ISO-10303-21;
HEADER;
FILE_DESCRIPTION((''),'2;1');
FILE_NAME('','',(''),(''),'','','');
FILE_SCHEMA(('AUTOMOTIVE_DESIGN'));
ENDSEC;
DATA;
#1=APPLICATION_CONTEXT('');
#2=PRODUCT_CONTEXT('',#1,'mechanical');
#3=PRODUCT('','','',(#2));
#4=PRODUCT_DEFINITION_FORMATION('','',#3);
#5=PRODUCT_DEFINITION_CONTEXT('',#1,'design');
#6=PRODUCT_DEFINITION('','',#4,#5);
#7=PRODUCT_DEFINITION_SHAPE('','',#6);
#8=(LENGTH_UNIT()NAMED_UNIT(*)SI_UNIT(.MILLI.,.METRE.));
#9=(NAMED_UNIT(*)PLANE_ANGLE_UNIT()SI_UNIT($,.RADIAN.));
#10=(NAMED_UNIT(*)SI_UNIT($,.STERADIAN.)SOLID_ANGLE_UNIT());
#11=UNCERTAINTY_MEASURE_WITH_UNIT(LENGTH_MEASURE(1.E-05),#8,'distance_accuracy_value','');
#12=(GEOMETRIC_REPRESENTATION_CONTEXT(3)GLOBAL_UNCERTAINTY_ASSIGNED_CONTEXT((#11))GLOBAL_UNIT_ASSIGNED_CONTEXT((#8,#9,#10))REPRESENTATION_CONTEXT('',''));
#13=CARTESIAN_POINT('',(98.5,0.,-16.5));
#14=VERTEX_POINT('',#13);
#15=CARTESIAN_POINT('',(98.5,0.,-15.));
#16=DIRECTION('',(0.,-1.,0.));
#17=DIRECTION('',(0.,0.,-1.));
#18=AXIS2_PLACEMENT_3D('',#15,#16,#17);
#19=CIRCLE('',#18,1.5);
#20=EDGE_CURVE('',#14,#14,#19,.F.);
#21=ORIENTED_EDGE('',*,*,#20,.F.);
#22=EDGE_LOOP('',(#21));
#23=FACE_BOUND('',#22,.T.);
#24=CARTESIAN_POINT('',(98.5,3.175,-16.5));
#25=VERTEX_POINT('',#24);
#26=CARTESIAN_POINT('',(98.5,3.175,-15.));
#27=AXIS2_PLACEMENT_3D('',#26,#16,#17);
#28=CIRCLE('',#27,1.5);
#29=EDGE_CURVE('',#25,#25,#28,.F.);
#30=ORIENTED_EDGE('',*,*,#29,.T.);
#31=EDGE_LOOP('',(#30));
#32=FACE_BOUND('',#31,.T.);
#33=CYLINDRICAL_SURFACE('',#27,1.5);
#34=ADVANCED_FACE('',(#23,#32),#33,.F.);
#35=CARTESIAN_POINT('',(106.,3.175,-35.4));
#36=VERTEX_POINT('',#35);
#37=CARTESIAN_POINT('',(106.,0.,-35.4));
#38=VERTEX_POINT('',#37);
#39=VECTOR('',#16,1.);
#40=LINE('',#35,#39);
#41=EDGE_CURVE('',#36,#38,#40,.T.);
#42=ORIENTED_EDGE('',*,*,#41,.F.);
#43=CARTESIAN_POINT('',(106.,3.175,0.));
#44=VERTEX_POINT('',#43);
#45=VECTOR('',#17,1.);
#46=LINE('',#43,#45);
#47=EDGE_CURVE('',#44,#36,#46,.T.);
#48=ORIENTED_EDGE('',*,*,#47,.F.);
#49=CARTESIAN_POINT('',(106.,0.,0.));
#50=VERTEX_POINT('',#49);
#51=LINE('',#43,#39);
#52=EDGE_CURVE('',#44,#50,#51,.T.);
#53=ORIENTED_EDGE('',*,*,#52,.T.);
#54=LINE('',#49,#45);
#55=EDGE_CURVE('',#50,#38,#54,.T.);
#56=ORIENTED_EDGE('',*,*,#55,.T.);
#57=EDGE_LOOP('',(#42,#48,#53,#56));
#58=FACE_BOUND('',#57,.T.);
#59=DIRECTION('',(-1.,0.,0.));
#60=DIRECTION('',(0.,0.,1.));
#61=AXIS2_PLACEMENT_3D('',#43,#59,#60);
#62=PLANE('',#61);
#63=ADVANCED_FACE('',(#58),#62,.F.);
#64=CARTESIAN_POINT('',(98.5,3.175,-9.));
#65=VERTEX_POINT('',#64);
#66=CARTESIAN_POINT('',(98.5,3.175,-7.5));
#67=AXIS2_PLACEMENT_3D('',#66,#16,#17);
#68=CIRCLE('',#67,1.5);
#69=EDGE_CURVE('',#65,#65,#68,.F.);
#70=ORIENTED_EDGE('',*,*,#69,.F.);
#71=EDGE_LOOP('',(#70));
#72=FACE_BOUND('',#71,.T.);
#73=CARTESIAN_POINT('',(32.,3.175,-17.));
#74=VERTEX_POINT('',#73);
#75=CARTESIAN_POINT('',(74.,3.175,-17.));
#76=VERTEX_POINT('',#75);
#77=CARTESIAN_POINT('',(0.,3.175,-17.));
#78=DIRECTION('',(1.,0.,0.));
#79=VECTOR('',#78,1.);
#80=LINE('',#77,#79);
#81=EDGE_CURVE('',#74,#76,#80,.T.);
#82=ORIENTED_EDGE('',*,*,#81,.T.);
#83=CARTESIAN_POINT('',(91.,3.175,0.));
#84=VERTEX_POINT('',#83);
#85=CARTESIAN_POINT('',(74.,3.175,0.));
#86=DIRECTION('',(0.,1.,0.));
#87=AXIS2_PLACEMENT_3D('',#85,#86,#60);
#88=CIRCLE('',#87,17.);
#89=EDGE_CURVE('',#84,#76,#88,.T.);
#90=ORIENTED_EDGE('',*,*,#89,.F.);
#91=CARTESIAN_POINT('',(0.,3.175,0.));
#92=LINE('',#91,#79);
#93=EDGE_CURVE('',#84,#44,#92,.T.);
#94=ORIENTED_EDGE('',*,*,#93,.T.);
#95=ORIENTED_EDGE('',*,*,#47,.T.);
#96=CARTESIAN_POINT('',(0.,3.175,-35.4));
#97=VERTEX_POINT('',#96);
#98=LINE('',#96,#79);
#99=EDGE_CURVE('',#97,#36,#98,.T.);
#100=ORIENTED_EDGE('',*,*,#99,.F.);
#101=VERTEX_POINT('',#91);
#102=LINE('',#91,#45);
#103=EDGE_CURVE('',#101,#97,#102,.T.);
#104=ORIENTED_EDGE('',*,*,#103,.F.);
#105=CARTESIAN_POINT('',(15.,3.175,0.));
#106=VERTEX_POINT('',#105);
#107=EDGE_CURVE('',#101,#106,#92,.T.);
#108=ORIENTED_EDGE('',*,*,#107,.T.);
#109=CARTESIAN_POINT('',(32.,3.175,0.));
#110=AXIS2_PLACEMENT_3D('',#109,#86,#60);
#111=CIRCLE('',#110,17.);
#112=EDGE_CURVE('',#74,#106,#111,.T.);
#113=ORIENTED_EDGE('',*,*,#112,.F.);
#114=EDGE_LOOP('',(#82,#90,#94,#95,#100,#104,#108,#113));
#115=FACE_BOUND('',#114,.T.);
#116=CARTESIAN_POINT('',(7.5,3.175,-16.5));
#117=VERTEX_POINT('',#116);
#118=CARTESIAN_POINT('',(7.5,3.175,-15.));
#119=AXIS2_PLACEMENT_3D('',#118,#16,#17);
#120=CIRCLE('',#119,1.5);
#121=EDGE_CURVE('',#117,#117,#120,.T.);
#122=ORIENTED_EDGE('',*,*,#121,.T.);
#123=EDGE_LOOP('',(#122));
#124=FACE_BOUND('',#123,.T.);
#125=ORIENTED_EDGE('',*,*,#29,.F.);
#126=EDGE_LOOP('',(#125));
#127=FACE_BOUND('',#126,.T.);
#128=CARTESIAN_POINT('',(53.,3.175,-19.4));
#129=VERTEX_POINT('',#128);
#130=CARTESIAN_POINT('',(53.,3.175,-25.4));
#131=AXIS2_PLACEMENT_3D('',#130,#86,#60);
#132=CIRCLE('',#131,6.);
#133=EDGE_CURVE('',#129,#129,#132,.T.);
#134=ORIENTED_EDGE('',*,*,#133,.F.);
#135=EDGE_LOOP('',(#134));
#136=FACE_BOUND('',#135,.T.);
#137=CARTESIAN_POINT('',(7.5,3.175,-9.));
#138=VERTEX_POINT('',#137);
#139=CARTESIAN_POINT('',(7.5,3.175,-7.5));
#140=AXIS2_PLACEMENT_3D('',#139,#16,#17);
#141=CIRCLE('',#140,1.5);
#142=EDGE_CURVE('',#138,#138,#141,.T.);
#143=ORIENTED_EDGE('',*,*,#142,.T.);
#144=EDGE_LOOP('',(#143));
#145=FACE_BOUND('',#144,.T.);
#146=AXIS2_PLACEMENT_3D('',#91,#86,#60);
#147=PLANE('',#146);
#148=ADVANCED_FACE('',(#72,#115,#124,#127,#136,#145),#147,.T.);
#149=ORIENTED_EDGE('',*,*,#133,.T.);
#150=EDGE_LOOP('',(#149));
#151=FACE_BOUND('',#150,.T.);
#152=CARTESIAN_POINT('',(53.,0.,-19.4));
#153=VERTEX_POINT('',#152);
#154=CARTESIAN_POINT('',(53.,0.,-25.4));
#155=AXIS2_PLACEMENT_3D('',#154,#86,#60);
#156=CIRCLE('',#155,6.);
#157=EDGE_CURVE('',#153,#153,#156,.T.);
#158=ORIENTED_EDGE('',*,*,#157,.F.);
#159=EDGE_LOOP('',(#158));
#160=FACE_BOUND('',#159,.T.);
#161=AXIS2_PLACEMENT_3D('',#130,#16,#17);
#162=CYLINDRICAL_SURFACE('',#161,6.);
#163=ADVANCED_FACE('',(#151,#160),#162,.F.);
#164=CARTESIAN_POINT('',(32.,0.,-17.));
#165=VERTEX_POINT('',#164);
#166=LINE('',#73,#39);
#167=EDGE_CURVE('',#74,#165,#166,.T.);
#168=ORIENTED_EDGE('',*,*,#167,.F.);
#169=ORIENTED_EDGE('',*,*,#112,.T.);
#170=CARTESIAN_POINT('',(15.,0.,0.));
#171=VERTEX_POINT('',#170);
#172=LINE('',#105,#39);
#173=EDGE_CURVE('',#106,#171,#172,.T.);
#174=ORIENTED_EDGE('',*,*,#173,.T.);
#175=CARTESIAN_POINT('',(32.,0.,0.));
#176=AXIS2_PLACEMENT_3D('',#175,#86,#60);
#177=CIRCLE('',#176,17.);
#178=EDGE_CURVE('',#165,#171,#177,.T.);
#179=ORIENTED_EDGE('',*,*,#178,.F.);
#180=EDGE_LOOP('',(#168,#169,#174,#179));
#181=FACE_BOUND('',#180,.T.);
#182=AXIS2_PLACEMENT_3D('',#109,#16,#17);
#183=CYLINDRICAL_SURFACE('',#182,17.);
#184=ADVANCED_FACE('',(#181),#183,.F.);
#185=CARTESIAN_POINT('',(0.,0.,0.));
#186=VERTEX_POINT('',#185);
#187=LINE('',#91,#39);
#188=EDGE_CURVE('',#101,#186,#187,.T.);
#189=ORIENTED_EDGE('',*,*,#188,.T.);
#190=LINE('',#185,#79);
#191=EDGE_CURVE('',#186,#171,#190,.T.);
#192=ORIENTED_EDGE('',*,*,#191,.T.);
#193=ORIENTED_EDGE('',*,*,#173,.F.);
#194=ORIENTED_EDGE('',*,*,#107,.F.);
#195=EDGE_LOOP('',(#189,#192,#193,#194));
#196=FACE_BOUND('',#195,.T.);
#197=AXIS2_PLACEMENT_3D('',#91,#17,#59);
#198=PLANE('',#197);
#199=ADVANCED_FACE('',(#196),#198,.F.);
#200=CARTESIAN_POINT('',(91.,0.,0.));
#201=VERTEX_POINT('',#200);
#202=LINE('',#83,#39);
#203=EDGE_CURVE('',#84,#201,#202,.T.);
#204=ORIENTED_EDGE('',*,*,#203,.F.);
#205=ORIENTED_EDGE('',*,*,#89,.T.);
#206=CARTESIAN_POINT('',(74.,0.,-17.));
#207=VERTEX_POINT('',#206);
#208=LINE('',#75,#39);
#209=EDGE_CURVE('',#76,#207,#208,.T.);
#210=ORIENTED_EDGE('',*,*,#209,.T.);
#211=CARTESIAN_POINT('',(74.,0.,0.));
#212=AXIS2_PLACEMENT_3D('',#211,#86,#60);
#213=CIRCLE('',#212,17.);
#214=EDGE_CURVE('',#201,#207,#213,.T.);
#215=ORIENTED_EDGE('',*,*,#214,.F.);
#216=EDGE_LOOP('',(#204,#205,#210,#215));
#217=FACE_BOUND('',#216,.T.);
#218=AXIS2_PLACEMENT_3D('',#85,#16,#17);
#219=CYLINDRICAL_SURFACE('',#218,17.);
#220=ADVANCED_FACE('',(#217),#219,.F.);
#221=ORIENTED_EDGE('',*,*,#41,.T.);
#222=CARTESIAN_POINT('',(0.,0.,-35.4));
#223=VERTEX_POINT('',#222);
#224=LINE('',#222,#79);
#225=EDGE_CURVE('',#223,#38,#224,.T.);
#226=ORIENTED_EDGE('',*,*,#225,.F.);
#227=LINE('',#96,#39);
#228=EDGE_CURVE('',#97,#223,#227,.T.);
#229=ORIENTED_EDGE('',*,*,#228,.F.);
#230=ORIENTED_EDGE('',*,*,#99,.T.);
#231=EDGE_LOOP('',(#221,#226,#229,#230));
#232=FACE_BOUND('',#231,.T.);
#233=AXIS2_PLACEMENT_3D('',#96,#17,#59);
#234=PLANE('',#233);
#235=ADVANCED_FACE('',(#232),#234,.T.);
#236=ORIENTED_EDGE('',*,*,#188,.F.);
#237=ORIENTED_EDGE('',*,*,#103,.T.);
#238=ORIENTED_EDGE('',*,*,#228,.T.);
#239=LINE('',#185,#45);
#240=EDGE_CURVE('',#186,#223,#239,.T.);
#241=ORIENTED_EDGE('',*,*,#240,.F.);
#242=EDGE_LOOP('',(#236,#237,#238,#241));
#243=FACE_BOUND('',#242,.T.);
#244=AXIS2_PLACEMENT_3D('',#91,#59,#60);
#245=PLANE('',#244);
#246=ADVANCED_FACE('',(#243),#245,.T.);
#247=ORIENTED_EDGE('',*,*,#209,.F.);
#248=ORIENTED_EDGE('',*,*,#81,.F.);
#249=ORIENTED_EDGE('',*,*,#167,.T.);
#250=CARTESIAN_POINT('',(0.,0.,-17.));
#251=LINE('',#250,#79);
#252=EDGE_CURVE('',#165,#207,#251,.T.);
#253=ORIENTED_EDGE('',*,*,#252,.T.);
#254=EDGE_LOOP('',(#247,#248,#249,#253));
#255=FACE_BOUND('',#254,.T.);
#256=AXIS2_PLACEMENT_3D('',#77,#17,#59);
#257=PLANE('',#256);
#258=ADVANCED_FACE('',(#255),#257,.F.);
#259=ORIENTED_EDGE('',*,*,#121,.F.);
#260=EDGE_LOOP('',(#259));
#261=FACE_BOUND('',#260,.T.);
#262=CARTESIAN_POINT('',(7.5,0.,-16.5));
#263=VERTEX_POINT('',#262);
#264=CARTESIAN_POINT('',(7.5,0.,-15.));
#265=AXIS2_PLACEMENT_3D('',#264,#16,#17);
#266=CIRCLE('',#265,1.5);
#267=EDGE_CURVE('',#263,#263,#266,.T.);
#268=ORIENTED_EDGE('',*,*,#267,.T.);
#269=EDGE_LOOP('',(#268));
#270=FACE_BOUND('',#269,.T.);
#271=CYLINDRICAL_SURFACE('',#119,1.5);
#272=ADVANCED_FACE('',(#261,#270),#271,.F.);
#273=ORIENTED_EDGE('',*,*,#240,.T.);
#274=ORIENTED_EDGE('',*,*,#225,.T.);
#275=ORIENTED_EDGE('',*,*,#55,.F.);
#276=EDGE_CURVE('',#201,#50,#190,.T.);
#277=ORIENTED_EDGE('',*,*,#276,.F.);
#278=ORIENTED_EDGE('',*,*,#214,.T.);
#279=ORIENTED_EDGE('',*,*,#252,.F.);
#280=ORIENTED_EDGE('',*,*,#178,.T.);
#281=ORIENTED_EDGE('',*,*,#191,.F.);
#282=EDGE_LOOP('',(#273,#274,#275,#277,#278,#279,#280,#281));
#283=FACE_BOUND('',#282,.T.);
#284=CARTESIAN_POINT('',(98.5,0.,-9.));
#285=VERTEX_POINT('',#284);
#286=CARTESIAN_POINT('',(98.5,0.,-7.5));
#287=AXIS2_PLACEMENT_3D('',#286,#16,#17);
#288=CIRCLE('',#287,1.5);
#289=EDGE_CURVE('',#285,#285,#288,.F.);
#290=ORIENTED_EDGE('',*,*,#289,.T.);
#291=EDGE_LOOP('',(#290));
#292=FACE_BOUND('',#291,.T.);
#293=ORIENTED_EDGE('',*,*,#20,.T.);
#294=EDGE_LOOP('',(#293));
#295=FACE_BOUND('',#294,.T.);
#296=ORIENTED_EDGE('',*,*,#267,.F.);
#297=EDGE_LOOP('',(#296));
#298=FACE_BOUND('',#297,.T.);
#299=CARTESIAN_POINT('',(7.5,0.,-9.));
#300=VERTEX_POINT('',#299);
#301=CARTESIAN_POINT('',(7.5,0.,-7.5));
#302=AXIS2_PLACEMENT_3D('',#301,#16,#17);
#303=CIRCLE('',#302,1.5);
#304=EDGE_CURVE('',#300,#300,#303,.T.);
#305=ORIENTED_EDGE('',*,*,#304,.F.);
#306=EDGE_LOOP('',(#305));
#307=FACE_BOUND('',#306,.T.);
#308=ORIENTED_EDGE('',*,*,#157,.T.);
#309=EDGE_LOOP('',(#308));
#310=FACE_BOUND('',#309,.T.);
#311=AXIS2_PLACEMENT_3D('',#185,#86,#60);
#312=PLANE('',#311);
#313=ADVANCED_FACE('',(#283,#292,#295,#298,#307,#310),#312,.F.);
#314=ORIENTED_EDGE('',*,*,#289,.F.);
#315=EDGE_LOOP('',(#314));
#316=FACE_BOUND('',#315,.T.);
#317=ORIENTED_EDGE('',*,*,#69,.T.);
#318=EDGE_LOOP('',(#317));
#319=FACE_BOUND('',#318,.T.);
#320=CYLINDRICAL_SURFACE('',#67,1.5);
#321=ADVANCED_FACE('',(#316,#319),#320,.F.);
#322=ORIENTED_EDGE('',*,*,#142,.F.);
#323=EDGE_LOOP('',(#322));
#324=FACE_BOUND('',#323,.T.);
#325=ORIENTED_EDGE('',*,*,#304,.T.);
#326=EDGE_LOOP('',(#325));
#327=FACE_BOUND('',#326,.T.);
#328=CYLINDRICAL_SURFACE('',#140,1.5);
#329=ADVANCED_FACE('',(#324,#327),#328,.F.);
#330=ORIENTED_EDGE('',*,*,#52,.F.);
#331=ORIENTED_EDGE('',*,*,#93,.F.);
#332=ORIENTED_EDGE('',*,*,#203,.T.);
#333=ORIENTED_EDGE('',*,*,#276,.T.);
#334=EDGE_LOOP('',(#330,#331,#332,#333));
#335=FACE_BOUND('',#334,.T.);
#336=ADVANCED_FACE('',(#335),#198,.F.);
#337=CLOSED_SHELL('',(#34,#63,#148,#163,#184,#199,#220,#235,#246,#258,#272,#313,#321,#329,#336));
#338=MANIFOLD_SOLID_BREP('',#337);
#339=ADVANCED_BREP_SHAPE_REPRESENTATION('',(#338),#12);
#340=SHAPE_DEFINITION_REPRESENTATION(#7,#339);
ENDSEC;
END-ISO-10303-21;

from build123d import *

# Parameters (mm, degrees)
BOSS_EXTRUDE1_DEPTH = 3.175
SKETCH3_R           = 1.5
CUT_EXTRUDE2_DEPTH  = 112.800002795


with BuildPart() as part:
    # Sketch1 → Boss-Extrude1 (new body)
    with BuildSketch(Plane(origin=(0, 0, 0), x_dir=(1, 0, 0), z_dir=(0, 1, 0))):
        with BuildLine():
            ThreePointArc((59, 25.4), (57.242640687, 21.157359313), (53, 19.4))
            Line((53, 19.4), (53, 17.4))
            Line((53, 17.4), (53, 17))
            Line((53, 17), (74, 17))
            Line((74, 17), (91, 17))
            ThreePointArc((91, 17), (99.746427842, 14.577379737), (106, 8))
            Line((106, 8), (106, 35.4))
            Line((106, 35.4), (53, 35.4))
            Line((53, 35.4), (53, 31.4))
            ThreePointArc((53, 31.4), (57.242640687, 29.642640687), (59, 25.4))
        make_face()
        with BuildLine():
            ThreePointArc((106, 8), (99.746427842, 14.577379737), (91, 17))
            Line((91, 17), (91, 0))
            Line((91, 0), (106, 0))
            Line((106, 0), (106, 8))
        make_face()
        with BuildLine():
            Line((91, 0), (91, 17))
            ThreePointArc((91, 17), (86.600076233, 16.420739047), (82.5, 14.722431864))
            ThreePointArc((82.5, 14.722431864), (88.722431864, 8.5), (91, 0))
        make_face()
        with BuildLine():
            Line((91, 17), (74, 17))
            ThreePointArc((74, 17), (78.399923767, 16.420739047), (82.5, 14.722431864))
            ThreePointArc((82.5, 14.722431864), (86.600076233, 16.420739047), (91, 17))
        make_face()
        with BuildLine():
            Line((53, 17.4), (53, 19.4))
            ThreePointArc((53, 19.4), (47, 25.4), (53, 31.4))
            Line((53, 31.4), (53, 35.4))
            Line((53, 35.4), (0, 35.4))
            Line((0, 35.4), (0, 8))
            ThreePointArc((0, 8), (6.253572158, 14.577379737), (15, 17))
            Line((15, 17), (32, 17))
            Line((32, 17), (53, 17))
            Line((53, 17), (53, 17.4))
        make_face()
        with BuildLine():
            Line((15, 0), (15, 17))
            ThreePointArc((15, 17), (6.253572158, 14.577379737), (0, 8))
            Line((0, 8), (0, 0))
            Line((0, 0), (15, 0))
        make_face()
        with BuildLine():
            ThreePointArc((23.5, 14.722431864), (19.399923767, 16.420739047), (15, 17))
            Line((15, 17), (15, 0))
            ThreePointArc((15, 0), (17.277568136, 8.5), (23.5, 14.722431864))
        make_face()
        with BuildLine():
            ThreePointArc((23.5, 14.722431864), (27.600076233, 16.420739047), (32, 17))
            Line((32, 17), (15, 17))
            ThreePointArc((15, 17), (19.399923767, 16.420739047), (23.5, 14.722431864))
        make_face()
    extrude(amount=BOSS_EXTRUDE1_DEPTH)

    # Sketch3 → Cut-Extrude2 (cut, through all)
    with BuildSketch(Plane.XZ):
        with BuildLine():
            ThreePointArc((9, -15), (8.560660172, -13.939339828), (7.5, -13.5))
            Line((7.5, -13.5), (7.5, -16.5))
            ThreePointArc((7.5, -16.5), (8.560660172, -16.060660172), (9, -15))
        make_face()
        with BuildLine():
            Line((7.5, -16.5), (7.5, -13.5))
            ThreePointArc((7.5, -13.5), (6, -15), (7.5, -16.5))
        make_face()
        with Locations(Location((98.5, -15, 0), (0, 0, 270))):
            Circle(SKETCH3_R)
        with Locations(Location((98.5, -7.5, 0), (0, 0, 270))):
            Circle(SKETCH3_R)
        with Locations(Location((7.5, -7.5, 0), (0, 0, 270))):
            Circle(SKETCH3_R)
    extrude(amount=-CUT_EXTRUDE2_DEPTH, mode=Mode.SUBTRACT)


solid = part.part
